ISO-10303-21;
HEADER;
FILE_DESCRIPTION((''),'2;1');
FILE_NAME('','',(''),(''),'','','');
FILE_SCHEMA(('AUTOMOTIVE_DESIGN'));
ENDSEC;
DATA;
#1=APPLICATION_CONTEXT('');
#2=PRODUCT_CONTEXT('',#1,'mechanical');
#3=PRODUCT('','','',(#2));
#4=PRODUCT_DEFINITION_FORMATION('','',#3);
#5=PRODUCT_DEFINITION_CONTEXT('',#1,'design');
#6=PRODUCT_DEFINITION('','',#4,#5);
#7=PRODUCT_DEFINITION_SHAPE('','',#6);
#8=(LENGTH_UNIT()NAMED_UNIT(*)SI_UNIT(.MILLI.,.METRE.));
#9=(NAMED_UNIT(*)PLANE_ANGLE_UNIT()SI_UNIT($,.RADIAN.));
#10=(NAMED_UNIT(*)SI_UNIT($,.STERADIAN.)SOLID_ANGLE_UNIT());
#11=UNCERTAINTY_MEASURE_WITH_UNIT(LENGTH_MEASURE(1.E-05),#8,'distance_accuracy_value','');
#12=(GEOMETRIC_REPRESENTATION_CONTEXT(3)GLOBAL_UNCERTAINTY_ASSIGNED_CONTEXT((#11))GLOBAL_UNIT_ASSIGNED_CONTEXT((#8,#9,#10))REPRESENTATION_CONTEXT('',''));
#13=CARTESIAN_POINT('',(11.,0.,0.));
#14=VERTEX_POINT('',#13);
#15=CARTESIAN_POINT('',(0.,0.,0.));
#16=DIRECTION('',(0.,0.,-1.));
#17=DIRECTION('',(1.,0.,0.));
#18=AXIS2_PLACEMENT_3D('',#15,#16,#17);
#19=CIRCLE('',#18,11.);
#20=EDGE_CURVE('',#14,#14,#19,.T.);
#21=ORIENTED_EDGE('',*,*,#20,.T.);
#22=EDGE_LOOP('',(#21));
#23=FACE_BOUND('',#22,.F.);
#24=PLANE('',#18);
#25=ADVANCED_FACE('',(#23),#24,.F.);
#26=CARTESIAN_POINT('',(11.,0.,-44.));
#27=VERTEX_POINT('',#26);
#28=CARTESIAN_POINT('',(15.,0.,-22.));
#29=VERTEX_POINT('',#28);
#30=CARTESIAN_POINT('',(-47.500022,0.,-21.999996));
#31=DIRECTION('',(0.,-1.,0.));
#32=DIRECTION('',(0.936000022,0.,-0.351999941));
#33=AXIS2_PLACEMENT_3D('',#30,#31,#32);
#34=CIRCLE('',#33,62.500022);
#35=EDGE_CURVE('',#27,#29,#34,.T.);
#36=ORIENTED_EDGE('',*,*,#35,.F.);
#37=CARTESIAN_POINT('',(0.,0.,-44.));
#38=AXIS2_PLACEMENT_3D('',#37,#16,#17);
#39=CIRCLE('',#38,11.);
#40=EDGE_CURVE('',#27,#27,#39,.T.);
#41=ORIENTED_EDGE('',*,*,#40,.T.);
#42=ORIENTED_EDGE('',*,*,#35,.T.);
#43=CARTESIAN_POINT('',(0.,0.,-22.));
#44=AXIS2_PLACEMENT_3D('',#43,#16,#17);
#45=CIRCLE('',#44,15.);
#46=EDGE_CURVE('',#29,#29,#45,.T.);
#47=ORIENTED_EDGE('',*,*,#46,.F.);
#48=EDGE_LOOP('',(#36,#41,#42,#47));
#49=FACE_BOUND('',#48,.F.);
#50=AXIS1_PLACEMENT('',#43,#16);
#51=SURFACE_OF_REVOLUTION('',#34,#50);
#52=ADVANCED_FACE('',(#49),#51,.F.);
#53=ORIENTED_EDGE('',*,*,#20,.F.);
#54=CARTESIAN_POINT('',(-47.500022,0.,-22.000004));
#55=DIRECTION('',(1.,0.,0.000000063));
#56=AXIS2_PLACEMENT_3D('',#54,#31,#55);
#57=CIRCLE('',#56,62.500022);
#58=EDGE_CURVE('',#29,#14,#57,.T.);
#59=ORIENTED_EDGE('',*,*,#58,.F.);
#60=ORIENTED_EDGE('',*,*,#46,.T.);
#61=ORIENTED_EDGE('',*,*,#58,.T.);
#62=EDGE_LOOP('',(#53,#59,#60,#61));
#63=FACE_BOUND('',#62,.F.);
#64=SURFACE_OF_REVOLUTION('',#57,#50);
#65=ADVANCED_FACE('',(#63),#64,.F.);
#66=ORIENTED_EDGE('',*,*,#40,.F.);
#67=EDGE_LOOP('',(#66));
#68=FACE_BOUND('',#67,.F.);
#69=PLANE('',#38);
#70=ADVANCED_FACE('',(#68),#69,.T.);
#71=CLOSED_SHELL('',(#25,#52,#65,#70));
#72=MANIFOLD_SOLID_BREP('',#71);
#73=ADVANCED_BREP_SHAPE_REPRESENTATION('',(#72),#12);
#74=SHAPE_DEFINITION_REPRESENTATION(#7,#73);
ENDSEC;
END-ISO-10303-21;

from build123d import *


with BuildPart() as f6:
    # F5 (on Front) → F6 (revolve)
    with BuildSketch(Plane.XZ):
        with BuildLine():
            Line((11, 0), (0, 0))
            Line((0, 0), (0, -22))
            Line((0, -22), (15, -22))
            ThreePointArc((15, -22), (13.991869, -10.81966), (11, 0))
        make_face()
        with BuildLine():
            Line((15, -22), (0, -22))
            Line((0, -22), (0, -44))
            Line((0, -44), (11, -44))
            ThreePointArc((11, -44), (13.991869, -33.18034), (15, -22))
        make_face()
    revolve(axis=Axis((0, 0, -22), (0, 0, -1)))


solid = f6.part
